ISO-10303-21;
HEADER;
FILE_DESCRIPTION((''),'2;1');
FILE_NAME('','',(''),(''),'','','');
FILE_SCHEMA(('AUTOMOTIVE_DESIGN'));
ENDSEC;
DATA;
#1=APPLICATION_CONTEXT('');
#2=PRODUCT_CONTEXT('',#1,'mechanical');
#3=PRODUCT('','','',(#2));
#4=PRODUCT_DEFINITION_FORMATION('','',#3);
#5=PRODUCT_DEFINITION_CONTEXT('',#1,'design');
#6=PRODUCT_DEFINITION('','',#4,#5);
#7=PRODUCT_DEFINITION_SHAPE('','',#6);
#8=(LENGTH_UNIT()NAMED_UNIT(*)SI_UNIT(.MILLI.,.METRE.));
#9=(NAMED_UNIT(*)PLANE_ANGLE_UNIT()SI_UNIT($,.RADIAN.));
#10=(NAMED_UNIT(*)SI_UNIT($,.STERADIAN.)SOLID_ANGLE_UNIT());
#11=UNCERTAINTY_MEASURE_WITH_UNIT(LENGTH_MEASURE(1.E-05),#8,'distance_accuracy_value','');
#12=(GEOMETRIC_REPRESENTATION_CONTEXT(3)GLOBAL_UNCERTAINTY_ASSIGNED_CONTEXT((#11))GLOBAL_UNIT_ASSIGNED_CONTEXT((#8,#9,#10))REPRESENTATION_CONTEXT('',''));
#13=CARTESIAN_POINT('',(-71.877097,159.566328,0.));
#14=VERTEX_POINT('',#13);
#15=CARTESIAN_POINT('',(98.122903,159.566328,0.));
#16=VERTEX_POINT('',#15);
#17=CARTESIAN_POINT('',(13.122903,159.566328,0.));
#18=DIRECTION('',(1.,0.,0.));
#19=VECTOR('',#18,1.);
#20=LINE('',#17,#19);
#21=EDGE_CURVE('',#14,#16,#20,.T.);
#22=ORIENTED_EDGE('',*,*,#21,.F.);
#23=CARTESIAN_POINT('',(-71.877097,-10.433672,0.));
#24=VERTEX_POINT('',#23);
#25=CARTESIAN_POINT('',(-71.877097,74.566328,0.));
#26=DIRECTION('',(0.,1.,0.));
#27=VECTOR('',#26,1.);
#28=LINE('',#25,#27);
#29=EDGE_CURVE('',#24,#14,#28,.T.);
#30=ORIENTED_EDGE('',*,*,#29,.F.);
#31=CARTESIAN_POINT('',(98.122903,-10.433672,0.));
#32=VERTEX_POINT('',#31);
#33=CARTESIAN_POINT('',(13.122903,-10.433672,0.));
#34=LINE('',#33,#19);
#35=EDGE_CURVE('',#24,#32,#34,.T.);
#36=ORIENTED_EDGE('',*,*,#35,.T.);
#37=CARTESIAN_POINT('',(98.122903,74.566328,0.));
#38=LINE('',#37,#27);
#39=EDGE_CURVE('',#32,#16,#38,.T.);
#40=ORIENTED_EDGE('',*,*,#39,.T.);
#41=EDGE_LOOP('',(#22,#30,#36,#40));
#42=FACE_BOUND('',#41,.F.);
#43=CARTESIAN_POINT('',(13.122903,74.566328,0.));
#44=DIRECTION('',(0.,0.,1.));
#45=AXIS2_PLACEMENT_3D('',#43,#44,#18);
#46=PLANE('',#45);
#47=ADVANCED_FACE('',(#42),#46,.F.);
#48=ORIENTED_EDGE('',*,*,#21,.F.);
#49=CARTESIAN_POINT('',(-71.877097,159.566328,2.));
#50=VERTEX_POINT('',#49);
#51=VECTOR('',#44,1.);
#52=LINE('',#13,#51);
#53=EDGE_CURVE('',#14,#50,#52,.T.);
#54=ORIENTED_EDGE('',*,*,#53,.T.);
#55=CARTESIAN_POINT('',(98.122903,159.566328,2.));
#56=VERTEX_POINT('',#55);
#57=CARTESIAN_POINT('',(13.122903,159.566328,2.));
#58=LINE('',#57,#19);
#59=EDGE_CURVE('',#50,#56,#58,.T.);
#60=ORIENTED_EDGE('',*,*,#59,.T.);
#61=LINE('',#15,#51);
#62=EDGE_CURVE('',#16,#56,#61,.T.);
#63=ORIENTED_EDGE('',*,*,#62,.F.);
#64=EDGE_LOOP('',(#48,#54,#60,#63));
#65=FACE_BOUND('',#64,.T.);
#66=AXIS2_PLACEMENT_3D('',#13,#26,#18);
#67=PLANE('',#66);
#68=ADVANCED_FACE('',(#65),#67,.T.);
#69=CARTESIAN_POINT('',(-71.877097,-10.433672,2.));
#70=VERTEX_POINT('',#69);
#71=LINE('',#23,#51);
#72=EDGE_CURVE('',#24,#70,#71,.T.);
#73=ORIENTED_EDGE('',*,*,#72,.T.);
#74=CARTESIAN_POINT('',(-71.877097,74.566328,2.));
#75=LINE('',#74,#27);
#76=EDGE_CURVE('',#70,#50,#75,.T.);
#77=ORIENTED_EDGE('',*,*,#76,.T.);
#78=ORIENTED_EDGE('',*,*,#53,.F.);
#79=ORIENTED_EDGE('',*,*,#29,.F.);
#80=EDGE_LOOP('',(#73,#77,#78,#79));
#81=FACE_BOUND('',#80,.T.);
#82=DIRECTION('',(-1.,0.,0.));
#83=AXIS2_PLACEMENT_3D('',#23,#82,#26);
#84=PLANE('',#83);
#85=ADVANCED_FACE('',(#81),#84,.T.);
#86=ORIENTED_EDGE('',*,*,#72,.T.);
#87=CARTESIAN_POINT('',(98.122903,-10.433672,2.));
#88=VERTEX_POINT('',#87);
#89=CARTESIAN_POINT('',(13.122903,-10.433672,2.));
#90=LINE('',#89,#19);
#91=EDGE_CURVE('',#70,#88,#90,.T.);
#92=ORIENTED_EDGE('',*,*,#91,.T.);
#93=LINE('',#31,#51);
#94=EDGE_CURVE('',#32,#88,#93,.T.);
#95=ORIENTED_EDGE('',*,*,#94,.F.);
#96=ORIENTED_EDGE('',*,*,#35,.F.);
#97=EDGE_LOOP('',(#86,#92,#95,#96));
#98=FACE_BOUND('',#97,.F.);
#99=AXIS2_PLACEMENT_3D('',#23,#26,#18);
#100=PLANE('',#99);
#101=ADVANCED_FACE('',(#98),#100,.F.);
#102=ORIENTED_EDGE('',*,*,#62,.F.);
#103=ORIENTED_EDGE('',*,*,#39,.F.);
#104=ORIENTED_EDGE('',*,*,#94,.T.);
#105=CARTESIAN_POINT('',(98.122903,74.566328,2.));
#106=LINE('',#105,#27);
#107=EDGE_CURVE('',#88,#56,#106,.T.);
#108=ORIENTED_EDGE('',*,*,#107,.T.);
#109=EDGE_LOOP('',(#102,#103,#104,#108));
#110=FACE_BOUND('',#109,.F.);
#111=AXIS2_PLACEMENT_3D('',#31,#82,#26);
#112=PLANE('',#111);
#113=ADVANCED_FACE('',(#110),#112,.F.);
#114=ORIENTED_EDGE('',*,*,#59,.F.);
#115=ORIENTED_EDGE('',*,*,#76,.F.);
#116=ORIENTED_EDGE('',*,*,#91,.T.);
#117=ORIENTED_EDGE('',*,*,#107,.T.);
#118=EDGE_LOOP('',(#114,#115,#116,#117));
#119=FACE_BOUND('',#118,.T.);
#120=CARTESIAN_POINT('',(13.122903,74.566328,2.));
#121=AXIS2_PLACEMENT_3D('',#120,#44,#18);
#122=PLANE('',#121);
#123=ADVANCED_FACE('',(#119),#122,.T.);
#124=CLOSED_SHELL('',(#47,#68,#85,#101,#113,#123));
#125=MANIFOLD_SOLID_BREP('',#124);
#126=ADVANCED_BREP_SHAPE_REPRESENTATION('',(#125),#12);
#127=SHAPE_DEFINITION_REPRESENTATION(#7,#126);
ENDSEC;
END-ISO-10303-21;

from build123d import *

# Parameters (mm, degrees)
SKETCH_W  = 170
SKETCH_H  = 170
PAD_DEPTH = 2


with BuildPart() as part:
    # Sketch → Pad (new body)
    with BuildSketch(Plane.XY):
        with Locations((13.122903, 74.566328)):
            Rectangle(SKETCH_W, SKETCH_H)
    extrude(amount=PAD_DEPTH)


solid = part.part
